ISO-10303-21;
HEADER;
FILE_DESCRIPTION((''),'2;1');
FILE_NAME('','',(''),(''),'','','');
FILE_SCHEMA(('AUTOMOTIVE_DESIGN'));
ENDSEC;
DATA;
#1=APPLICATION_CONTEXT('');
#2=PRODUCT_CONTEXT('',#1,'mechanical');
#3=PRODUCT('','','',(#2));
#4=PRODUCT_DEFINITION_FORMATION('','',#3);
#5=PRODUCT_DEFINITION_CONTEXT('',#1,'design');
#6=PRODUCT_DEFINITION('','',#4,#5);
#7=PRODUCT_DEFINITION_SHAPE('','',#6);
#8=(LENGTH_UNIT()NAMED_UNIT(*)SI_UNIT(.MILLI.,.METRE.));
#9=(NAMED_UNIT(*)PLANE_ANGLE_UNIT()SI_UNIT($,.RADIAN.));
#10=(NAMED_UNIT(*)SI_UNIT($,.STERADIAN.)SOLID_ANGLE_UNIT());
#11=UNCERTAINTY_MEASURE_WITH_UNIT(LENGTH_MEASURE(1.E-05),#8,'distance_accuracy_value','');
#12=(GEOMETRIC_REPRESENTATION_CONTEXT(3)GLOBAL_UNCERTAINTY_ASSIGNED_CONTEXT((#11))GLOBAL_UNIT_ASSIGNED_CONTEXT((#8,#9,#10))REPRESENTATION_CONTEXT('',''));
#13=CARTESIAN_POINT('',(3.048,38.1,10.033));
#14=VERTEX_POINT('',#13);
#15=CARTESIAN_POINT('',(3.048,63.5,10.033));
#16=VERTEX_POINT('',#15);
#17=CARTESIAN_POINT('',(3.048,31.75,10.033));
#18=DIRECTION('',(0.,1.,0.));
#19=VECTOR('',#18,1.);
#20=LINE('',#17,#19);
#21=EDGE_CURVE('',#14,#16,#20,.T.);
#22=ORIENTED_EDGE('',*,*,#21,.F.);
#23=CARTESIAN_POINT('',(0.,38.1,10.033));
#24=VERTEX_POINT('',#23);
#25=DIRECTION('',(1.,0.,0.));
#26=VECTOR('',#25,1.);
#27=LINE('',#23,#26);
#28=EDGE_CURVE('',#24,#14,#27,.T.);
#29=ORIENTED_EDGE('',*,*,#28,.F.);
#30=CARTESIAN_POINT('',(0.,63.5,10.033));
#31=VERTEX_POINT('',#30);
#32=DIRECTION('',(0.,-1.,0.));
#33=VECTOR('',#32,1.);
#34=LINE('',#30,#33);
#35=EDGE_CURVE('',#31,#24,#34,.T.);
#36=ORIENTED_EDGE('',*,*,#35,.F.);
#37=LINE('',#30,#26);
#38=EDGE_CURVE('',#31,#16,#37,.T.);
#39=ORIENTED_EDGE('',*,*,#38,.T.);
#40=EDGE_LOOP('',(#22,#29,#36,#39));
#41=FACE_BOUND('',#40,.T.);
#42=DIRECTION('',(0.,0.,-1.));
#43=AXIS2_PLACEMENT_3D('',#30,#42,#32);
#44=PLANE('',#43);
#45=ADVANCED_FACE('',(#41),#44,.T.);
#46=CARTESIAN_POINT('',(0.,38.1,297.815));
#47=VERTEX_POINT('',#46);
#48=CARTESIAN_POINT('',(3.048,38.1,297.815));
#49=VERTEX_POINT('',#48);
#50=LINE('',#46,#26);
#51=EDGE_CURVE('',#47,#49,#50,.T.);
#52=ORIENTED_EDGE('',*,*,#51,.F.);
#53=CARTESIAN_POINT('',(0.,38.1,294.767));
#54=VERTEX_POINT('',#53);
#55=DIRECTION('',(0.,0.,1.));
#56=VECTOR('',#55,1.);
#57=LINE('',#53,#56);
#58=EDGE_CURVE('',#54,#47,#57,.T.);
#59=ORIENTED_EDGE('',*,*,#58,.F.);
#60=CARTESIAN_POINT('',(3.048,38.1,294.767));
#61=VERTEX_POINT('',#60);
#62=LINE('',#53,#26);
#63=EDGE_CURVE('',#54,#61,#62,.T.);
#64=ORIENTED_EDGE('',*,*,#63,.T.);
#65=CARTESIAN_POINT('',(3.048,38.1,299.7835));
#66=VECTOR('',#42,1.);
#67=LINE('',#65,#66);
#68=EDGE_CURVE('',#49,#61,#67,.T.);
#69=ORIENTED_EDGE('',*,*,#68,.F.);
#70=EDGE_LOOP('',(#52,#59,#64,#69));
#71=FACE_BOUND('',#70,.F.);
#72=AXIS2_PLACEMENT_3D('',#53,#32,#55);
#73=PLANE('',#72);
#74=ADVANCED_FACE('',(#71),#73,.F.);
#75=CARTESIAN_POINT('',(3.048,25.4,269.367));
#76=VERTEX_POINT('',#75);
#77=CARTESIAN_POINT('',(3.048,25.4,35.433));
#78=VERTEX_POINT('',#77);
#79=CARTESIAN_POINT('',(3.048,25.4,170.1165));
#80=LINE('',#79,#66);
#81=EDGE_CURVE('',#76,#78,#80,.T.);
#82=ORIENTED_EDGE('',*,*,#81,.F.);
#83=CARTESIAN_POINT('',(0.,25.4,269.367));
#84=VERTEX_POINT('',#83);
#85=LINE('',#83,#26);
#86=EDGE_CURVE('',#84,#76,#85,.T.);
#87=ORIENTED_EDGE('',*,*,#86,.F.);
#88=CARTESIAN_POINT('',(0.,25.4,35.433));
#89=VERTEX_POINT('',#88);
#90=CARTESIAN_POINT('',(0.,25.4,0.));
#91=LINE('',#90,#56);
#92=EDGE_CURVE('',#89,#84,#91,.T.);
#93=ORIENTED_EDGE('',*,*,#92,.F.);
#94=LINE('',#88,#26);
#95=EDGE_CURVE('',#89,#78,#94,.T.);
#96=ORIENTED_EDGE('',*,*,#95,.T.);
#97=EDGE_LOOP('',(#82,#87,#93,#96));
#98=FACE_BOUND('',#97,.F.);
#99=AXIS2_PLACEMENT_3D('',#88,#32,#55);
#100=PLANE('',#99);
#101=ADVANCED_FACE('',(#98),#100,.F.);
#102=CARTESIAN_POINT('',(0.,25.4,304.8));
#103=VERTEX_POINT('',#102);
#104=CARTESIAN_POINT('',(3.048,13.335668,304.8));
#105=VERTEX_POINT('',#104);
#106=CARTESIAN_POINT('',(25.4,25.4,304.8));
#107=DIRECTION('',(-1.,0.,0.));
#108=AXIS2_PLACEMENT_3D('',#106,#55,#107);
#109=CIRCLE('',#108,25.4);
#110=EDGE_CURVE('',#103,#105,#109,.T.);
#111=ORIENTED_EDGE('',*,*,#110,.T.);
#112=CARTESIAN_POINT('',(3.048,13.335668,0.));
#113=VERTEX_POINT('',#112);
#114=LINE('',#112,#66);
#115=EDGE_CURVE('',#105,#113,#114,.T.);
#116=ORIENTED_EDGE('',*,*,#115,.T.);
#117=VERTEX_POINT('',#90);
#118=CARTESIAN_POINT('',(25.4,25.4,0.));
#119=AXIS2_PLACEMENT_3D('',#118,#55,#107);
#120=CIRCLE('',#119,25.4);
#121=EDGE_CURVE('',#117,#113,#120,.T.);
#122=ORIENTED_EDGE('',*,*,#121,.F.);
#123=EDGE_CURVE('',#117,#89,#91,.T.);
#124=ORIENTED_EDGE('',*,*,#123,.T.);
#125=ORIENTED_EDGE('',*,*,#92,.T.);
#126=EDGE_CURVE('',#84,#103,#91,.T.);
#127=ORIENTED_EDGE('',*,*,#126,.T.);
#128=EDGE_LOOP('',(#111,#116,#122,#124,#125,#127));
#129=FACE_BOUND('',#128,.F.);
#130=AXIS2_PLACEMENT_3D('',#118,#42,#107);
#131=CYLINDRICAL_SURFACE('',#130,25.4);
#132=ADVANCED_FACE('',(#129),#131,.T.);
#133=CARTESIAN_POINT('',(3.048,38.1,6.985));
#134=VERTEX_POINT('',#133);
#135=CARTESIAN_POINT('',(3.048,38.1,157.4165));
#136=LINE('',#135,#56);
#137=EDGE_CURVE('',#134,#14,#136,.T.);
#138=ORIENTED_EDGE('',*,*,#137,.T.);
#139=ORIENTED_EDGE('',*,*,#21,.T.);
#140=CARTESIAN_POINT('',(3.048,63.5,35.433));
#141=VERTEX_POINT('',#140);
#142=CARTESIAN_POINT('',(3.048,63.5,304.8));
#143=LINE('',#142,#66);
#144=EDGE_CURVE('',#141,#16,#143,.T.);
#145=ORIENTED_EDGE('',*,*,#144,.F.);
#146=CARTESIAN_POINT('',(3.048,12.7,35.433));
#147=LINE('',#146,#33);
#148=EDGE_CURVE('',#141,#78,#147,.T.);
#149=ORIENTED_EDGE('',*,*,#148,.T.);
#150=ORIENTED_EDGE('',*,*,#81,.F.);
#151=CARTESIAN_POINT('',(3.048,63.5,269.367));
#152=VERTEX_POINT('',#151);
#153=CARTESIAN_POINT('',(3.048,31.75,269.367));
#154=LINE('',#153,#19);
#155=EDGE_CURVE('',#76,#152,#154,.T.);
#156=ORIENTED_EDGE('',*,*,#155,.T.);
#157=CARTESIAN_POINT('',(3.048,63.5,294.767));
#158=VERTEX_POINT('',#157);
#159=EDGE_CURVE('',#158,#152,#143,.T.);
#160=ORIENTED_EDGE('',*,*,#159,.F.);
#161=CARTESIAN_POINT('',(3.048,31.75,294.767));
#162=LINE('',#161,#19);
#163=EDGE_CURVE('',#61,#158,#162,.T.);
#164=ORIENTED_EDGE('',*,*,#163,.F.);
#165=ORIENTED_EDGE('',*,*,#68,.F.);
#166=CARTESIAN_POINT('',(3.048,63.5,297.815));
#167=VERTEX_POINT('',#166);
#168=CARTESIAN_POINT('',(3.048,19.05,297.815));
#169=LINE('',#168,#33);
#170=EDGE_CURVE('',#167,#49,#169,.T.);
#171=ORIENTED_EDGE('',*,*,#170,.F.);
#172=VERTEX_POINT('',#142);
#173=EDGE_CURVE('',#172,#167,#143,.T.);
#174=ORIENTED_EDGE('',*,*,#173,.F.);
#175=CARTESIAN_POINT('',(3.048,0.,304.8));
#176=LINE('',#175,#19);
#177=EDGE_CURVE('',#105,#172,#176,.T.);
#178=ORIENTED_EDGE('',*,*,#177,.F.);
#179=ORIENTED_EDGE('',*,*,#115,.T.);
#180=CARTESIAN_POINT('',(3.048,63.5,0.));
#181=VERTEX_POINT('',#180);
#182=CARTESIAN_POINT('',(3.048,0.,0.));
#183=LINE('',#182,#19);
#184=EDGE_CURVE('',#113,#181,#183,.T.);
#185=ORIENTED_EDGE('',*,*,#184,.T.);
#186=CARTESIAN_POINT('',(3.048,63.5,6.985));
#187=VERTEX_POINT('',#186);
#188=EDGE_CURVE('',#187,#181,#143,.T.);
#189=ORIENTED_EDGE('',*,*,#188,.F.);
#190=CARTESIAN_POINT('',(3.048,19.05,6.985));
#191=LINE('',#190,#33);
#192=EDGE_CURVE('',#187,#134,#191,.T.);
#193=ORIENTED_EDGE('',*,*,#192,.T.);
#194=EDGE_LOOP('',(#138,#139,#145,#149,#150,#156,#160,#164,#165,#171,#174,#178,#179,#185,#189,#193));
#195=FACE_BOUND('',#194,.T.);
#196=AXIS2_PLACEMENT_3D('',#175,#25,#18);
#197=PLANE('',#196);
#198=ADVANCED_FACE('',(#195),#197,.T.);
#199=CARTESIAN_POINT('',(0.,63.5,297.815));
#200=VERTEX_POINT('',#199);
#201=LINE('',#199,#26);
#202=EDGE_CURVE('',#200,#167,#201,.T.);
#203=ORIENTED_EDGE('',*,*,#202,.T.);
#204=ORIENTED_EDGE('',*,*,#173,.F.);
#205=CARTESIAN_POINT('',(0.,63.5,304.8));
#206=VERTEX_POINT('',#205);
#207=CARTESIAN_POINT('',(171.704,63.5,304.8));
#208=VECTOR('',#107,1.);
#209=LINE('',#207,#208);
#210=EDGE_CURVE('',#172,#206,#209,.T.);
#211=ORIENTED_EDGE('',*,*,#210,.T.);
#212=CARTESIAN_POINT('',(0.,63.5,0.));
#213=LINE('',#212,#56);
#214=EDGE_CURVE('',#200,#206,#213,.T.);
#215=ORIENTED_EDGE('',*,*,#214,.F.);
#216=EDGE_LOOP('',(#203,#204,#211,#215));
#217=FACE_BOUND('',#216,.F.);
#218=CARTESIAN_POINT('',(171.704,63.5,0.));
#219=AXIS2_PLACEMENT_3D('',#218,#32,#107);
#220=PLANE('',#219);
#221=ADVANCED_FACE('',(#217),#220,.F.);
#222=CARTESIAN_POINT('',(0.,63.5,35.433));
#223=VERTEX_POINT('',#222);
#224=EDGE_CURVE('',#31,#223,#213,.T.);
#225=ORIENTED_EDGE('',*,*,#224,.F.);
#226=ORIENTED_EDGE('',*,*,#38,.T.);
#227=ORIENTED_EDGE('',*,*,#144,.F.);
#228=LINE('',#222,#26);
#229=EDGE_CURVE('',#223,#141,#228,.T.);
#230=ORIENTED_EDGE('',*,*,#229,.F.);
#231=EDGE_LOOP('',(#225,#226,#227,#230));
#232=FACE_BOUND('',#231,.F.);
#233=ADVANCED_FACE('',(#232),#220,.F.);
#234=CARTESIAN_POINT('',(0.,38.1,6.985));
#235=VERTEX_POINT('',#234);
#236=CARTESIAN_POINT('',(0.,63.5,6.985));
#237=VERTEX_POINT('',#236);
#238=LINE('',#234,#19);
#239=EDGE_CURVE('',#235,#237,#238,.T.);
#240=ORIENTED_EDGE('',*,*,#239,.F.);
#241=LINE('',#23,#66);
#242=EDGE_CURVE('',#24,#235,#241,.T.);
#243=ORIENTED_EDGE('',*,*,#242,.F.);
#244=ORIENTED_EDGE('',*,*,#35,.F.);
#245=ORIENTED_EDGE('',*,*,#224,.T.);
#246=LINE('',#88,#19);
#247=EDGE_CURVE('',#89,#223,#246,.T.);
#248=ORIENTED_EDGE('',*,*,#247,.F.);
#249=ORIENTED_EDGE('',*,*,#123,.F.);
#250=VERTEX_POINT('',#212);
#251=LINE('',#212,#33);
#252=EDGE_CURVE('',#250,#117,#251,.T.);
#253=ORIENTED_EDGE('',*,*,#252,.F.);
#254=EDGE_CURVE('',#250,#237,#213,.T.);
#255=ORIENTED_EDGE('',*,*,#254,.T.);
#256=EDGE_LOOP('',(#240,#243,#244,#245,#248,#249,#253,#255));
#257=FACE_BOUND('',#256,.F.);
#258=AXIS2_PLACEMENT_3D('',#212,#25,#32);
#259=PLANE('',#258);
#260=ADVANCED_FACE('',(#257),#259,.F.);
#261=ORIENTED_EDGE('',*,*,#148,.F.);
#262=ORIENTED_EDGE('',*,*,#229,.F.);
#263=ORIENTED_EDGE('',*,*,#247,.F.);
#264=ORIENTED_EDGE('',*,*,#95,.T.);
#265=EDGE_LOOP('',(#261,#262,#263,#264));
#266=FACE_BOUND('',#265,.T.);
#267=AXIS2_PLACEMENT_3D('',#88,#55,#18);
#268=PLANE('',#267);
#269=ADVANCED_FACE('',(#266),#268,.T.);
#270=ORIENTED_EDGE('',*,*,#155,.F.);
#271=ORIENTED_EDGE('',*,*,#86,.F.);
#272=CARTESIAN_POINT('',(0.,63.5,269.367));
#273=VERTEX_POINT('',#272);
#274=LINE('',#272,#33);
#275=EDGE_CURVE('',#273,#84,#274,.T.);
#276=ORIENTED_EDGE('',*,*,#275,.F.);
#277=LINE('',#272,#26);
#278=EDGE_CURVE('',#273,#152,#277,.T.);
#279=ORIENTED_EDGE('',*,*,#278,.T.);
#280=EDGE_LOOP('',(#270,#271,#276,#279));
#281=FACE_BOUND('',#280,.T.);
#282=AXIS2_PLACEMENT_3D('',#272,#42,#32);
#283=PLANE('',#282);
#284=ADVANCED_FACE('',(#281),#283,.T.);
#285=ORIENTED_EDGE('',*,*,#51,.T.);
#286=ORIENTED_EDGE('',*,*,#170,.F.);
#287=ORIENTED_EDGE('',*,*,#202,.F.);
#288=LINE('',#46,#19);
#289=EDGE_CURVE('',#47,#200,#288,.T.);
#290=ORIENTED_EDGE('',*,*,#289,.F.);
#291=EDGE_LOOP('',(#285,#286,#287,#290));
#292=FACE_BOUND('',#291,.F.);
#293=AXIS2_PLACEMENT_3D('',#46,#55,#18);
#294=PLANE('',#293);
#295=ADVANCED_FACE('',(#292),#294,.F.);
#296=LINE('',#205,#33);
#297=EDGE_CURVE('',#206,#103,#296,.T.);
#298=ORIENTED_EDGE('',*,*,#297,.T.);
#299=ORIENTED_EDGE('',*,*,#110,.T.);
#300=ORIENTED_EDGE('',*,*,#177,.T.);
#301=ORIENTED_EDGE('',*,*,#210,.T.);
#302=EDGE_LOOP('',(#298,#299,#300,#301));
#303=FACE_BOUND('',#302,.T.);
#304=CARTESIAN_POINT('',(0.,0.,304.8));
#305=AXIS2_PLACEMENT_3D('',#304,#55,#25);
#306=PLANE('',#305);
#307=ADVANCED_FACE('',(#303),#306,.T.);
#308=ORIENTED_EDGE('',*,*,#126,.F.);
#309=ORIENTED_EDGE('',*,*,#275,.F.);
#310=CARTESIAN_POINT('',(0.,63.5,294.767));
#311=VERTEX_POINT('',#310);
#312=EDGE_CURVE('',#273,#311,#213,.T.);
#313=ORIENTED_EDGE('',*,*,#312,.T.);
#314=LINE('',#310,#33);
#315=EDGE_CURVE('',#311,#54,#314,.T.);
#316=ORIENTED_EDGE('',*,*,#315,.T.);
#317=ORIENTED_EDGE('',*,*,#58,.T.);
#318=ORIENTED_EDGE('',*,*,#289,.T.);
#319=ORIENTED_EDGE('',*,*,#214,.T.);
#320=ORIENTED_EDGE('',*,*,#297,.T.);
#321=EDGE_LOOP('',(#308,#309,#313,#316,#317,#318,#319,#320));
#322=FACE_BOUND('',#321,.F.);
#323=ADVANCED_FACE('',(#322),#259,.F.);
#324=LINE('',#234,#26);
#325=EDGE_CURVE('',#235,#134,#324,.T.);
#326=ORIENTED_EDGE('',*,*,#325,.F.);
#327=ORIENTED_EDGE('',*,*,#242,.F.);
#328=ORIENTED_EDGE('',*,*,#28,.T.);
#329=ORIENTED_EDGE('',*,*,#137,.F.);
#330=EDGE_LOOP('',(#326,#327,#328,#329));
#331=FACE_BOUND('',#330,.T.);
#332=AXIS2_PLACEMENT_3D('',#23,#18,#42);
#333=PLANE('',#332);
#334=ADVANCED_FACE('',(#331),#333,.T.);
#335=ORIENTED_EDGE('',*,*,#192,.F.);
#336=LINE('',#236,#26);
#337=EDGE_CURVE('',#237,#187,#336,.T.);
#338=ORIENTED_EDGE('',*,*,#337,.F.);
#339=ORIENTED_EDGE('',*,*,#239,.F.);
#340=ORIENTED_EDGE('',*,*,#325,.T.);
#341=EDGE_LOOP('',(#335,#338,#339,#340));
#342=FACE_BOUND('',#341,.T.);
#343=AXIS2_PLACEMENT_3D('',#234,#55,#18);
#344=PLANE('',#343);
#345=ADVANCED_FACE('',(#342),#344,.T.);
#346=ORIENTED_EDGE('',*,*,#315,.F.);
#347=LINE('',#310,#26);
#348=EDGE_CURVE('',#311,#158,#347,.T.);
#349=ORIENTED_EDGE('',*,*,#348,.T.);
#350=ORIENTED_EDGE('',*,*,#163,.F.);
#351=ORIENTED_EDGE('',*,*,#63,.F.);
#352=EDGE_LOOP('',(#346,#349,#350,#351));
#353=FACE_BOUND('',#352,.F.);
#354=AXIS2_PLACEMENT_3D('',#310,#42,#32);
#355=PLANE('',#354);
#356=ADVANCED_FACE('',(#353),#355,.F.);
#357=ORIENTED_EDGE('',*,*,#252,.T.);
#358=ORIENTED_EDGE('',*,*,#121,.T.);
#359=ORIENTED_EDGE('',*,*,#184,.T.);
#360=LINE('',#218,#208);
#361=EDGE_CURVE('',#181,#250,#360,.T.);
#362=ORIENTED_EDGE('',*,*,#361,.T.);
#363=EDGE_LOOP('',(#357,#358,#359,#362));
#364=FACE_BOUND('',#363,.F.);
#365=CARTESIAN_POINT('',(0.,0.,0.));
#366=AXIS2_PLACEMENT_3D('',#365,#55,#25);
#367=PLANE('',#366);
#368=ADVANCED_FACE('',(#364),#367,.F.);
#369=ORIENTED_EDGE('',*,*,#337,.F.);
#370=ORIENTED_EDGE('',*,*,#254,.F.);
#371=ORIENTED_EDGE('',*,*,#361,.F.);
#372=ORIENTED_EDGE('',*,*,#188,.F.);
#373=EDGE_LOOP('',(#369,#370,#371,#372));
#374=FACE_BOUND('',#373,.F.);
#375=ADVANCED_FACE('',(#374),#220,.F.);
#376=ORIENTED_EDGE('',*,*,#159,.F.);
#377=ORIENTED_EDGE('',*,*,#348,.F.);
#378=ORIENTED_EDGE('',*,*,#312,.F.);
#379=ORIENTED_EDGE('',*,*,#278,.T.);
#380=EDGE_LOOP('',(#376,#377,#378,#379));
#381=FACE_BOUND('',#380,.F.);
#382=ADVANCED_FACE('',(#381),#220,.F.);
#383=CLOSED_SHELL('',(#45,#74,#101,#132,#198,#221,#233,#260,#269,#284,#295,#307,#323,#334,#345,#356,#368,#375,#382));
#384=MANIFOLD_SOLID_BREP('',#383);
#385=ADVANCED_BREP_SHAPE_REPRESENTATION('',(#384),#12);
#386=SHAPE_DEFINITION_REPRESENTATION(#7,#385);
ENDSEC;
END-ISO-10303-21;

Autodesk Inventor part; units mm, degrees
ref_plane "YZ Plane" through (0, 0, 0) normal (1, 0, 0) x (0, 1, 0)
ref_plane "XZ Plane" through (0, 0, 0) normal (0, 1, 0) x (-1, 0, 0)
ref_plane "XY Plane" through (0, 0, 0) normal (0, 0, 1) x (1, 0, 0)
sketch "Sketch1" plane through (0, 0, 0) normal (0, 0, 1) x (1, 0, 0)
  line L0 (25.4, 0) -> (146.304, 0)
  line L1 (171.704, 25.4) -> (171.704, 63.5)
  line L2 (171.704, 63.5) -> (0, 63.5)
  line L3 (0, 63.5) -> (0, 25.4)
  arc A0 (0, 25.4) -> (25.4, 0) centre (25.4, 25.4) ccw
  arc A1 (146.304, 0) -> (171.704, 25.4) centre (146.304, 25.4) ccw
  point P0 (0, 0)
  dimension "d0" = 171.704
  dimension "d2" = 50.8
  dimension "d3" = 50.8
  dimension "d4" = 63.5
  dimension "d5" = 63.5
  dimension "d6" = 0
extrude "Extrusion1" add sketch "Sketch1" along normal blind 304.8
sketch "Sketch2" plane through (0, 0, 304.8) normal (0, 0, 1) x (1, 0, 0)
  line L0 (25.4, 0) -> (146.304, 0) projected
  line L1 (3.048, 63.5) -> (206.248, 63.5)
  line L2 (206.248, 63.5) -> (206.248, 0)
  line L3 (206.248, 0) -> (3.048, 0)
  line L4 (3.048, 0) -> (3.048, 63.5)
  line L5 (171.704, 63.5) -> (0, 63.5) projected
  line L6 (0, 63.5) -> (0, 25.4) projected
  point P0 (0, 0)
  dimension "d9" = 0
  dimension "d10" = 203.2
  dimension "d11" = 3.048
extrude "Extrusion2" cut sketch "Sketch2" against normal through all
sketch "Sketch5" plane through (0, 25.4, 0) normal (-1, 0, 0) x (0, 0, 1)
  line L0 (6.985, 38.1) -> (10.033, 38.1)
  line L1 (10.033, 38.1) -> (10.033, 12.7)
  line L2 (10.033, 12.7) -> (6.985, 12.7)
  line L3 (6.985, 12.7) -> (6.985, 38.1)
  line L4 (0, 38.1) -> (304.8, 38.1) projected
  line L5 (0, 38.1) -> (0, 0) projected
  line L6 (152.4, 38.1) -> (152.4, 0)
  line L7 (0, 0) -> (304.8, 0) projected
  line L8 (297.815, 38.1) -> (294.767, 38.1)
  line L9 (294.767, 38.1) -> (294.767, 12.7)
  line L10 (294.767, 12.7) -> (297.815, 12.7)
  line L11 (297.815, 12.7) -> (297.815, 38.1)
  line L12 (304.8, 38.1) -> (0, 38.1)
  line L13 (304.8, 38.1) -> (304.8, 0)
  point P0 (0, -25.4)
  point P1 (297.815, 38.1)
  point P2 (294.767, 38.1)
  dimension "d22" = 3.048
  dimension "d23" = 25.4
  dimension "d24" = 0
  dimension "d25" = 6.985
extrude "Extrusion5" cut sketch "Sketch5" against normal through all contours L0 L1 L2 L3 | L4 L11 L10 L9
sketch "Sketch6" plane through (0, 25.4, 0) normal (-1, 0, 0) x (0, 0, 1)
  line L0 (10.033, 38.1) -> (294.767, 38.1) projected
  line L1 (0, 0) -> (304.8, 0) projected
  line L2 (35.433, 38.1) -> (269.367, 38.1)
  line L3 (269.367, 38.1) -> (269.367, 0)
  line L4 (269.367, 0) -> (35.433, 0)
  line L5 (35.433, 0) -> (35.433, 38.1)
  line L6 (10.033, 38.1) -> (10.033, 12.7) projected
  line L7 (294.767, 12.7) -> (294.767, 38.1) projected
  point P0 (0, -25.4)
  point P1 (35.433, 0)
  dimension "d28" = 25.4
  dimension "d29" = 25.4
extrude "Extrusion6" cut sketch "Sketch6" against normal through all
properties part number "Battery_container_side"
